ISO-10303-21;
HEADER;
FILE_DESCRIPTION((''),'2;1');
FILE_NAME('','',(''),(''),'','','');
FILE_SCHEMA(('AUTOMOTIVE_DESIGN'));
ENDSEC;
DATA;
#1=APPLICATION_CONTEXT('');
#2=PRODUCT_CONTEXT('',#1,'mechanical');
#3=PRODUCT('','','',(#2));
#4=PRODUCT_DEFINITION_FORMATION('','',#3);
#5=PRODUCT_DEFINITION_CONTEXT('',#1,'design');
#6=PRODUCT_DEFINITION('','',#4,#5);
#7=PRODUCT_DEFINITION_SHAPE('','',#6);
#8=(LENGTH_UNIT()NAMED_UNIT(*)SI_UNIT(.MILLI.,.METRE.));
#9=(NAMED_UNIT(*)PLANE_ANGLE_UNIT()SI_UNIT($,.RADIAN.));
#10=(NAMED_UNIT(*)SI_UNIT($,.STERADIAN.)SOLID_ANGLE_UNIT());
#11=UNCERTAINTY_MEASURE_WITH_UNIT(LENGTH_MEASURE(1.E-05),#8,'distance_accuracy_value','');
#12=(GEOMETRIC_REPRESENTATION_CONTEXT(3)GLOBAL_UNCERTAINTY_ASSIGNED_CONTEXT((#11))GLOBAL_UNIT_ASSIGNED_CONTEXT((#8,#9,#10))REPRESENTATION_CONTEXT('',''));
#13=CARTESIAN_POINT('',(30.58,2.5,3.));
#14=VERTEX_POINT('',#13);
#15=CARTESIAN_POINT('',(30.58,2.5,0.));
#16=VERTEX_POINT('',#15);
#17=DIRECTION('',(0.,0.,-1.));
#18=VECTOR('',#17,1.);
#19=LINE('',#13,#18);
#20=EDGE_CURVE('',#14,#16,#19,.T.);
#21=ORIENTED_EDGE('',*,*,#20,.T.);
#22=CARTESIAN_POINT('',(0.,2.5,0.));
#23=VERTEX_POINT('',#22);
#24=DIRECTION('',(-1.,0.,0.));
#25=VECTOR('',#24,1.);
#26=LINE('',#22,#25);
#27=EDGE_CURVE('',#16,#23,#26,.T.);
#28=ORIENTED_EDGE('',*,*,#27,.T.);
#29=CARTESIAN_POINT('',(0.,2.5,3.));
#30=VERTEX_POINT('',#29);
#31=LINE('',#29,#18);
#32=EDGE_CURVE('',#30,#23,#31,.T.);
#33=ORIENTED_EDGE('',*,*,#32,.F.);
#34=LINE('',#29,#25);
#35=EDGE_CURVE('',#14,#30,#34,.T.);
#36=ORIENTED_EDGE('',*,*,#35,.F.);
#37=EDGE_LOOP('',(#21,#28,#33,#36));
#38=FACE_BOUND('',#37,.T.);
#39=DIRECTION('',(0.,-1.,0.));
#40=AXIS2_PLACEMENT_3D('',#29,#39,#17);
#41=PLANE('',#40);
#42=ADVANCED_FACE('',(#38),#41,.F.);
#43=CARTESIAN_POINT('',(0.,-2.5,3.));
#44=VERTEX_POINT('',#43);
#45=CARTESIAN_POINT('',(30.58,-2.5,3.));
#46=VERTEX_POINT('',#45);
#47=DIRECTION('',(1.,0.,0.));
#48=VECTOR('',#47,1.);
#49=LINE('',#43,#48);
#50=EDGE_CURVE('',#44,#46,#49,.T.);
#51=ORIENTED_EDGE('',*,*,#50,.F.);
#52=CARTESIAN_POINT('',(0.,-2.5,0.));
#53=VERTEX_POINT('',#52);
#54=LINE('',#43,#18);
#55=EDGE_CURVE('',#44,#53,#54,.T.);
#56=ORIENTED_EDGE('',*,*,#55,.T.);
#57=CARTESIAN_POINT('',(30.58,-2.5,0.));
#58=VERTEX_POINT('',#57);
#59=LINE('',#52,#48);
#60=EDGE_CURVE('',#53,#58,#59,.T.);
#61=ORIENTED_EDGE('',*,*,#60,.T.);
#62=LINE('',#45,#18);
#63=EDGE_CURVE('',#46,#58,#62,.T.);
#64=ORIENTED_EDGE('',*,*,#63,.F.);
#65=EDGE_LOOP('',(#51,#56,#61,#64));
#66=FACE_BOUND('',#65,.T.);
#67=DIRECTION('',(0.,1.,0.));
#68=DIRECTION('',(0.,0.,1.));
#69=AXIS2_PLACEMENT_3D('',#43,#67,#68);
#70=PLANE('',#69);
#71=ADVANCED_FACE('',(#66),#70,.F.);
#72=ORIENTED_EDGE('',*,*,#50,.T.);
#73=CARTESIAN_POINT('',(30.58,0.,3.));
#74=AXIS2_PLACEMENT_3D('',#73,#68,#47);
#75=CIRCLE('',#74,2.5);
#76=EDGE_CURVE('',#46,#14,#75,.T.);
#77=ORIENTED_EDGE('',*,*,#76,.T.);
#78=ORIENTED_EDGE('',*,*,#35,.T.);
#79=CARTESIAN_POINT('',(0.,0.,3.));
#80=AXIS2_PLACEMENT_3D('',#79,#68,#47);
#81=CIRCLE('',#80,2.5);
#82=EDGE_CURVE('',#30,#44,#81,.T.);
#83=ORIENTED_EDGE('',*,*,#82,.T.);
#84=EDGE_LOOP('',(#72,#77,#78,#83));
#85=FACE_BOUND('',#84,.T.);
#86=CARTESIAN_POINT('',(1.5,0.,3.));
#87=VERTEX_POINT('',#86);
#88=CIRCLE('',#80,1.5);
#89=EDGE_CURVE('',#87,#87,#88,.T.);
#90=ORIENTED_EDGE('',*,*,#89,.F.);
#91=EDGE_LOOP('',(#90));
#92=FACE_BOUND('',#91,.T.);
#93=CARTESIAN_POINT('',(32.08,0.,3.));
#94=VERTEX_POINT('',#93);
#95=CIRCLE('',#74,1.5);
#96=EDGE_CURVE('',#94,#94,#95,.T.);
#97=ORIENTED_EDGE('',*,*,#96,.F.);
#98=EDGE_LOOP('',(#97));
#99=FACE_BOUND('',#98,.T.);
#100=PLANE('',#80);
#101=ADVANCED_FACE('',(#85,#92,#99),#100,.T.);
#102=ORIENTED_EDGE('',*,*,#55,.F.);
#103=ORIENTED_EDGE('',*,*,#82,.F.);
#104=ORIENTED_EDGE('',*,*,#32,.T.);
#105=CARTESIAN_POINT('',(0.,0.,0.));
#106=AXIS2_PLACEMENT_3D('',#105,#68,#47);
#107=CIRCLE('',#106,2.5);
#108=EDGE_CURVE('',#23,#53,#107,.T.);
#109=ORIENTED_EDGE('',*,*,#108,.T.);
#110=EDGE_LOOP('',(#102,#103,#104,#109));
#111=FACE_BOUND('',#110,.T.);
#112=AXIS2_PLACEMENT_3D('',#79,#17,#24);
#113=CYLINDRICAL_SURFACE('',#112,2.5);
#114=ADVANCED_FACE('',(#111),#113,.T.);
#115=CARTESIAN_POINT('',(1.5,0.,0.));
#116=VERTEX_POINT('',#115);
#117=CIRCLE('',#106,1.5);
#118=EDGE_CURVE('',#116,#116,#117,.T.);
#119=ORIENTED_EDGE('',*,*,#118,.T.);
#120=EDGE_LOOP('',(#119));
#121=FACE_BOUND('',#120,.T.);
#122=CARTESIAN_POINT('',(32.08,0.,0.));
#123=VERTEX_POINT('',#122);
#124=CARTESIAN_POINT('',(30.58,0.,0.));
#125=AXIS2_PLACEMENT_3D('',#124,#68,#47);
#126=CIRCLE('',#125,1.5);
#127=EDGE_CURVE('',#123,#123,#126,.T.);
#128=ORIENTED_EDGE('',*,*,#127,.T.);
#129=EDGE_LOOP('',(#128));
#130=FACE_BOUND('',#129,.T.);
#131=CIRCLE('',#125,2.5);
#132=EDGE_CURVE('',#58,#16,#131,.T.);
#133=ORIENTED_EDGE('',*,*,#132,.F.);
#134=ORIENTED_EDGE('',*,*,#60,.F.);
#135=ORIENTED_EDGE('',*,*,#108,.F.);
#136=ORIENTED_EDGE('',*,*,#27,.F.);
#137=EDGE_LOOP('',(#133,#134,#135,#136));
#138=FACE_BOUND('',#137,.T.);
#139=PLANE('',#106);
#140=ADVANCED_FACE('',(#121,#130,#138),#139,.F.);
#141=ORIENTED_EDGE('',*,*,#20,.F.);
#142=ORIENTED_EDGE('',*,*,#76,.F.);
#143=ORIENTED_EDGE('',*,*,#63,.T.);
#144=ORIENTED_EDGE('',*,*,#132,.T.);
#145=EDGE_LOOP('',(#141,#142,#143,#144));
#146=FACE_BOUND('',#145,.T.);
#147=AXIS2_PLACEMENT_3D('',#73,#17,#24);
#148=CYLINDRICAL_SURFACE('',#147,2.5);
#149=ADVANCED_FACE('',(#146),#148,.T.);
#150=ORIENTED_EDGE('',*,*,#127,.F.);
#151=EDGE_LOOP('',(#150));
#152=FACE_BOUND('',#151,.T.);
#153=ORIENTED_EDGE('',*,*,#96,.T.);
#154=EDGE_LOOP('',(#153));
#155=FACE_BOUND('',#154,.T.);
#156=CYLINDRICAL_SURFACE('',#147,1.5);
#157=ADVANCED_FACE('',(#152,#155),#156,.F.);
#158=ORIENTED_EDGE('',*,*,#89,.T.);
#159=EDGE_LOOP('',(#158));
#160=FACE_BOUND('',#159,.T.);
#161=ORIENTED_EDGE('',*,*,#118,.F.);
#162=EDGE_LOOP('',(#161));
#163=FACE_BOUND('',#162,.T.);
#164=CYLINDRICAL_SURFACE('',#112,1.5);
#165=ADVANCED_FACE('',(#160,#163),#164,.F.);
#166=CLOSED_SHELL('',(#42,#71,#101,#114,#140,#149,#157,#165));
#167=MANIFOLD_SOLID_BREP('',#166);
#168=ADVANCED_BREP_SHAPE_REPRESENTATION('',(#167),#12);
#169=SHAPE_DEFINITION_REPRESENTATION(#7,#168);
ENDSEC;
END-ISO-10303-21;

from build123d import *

# Parameters (mm, degrees)
ESQUISSE1_R        = 1.5
BOSS_EXTRU_1_DEPTH = 3


with BuildPart() as part:
    # Esquisse1 → Boss.-Extru.1 (new body)
    with BuildSketch(Plane.XY):
        with BuildLine():
            Line((0, 2.5), (30.58, 2.5))
            ThreePointArc((30.58, 2.5), (33.08, 0), (30.58, -2.5))
            Line((30.58, -2.5), (0, -2.5))
            ThreePointArc((0, -2.5), (-2.5, 0), (0, 2.5))
        make_face()
        Circle(ESQUISSE1_R, mode=Mode.SUBTRACT)
        with Locations((30.58, 0)):
            Circle(ESQUISSE1_R, mode=Mode.SUBTRACT)
    extrude(amount=BOSS_EXTRU_1_DEPTH)


solid = part.part
